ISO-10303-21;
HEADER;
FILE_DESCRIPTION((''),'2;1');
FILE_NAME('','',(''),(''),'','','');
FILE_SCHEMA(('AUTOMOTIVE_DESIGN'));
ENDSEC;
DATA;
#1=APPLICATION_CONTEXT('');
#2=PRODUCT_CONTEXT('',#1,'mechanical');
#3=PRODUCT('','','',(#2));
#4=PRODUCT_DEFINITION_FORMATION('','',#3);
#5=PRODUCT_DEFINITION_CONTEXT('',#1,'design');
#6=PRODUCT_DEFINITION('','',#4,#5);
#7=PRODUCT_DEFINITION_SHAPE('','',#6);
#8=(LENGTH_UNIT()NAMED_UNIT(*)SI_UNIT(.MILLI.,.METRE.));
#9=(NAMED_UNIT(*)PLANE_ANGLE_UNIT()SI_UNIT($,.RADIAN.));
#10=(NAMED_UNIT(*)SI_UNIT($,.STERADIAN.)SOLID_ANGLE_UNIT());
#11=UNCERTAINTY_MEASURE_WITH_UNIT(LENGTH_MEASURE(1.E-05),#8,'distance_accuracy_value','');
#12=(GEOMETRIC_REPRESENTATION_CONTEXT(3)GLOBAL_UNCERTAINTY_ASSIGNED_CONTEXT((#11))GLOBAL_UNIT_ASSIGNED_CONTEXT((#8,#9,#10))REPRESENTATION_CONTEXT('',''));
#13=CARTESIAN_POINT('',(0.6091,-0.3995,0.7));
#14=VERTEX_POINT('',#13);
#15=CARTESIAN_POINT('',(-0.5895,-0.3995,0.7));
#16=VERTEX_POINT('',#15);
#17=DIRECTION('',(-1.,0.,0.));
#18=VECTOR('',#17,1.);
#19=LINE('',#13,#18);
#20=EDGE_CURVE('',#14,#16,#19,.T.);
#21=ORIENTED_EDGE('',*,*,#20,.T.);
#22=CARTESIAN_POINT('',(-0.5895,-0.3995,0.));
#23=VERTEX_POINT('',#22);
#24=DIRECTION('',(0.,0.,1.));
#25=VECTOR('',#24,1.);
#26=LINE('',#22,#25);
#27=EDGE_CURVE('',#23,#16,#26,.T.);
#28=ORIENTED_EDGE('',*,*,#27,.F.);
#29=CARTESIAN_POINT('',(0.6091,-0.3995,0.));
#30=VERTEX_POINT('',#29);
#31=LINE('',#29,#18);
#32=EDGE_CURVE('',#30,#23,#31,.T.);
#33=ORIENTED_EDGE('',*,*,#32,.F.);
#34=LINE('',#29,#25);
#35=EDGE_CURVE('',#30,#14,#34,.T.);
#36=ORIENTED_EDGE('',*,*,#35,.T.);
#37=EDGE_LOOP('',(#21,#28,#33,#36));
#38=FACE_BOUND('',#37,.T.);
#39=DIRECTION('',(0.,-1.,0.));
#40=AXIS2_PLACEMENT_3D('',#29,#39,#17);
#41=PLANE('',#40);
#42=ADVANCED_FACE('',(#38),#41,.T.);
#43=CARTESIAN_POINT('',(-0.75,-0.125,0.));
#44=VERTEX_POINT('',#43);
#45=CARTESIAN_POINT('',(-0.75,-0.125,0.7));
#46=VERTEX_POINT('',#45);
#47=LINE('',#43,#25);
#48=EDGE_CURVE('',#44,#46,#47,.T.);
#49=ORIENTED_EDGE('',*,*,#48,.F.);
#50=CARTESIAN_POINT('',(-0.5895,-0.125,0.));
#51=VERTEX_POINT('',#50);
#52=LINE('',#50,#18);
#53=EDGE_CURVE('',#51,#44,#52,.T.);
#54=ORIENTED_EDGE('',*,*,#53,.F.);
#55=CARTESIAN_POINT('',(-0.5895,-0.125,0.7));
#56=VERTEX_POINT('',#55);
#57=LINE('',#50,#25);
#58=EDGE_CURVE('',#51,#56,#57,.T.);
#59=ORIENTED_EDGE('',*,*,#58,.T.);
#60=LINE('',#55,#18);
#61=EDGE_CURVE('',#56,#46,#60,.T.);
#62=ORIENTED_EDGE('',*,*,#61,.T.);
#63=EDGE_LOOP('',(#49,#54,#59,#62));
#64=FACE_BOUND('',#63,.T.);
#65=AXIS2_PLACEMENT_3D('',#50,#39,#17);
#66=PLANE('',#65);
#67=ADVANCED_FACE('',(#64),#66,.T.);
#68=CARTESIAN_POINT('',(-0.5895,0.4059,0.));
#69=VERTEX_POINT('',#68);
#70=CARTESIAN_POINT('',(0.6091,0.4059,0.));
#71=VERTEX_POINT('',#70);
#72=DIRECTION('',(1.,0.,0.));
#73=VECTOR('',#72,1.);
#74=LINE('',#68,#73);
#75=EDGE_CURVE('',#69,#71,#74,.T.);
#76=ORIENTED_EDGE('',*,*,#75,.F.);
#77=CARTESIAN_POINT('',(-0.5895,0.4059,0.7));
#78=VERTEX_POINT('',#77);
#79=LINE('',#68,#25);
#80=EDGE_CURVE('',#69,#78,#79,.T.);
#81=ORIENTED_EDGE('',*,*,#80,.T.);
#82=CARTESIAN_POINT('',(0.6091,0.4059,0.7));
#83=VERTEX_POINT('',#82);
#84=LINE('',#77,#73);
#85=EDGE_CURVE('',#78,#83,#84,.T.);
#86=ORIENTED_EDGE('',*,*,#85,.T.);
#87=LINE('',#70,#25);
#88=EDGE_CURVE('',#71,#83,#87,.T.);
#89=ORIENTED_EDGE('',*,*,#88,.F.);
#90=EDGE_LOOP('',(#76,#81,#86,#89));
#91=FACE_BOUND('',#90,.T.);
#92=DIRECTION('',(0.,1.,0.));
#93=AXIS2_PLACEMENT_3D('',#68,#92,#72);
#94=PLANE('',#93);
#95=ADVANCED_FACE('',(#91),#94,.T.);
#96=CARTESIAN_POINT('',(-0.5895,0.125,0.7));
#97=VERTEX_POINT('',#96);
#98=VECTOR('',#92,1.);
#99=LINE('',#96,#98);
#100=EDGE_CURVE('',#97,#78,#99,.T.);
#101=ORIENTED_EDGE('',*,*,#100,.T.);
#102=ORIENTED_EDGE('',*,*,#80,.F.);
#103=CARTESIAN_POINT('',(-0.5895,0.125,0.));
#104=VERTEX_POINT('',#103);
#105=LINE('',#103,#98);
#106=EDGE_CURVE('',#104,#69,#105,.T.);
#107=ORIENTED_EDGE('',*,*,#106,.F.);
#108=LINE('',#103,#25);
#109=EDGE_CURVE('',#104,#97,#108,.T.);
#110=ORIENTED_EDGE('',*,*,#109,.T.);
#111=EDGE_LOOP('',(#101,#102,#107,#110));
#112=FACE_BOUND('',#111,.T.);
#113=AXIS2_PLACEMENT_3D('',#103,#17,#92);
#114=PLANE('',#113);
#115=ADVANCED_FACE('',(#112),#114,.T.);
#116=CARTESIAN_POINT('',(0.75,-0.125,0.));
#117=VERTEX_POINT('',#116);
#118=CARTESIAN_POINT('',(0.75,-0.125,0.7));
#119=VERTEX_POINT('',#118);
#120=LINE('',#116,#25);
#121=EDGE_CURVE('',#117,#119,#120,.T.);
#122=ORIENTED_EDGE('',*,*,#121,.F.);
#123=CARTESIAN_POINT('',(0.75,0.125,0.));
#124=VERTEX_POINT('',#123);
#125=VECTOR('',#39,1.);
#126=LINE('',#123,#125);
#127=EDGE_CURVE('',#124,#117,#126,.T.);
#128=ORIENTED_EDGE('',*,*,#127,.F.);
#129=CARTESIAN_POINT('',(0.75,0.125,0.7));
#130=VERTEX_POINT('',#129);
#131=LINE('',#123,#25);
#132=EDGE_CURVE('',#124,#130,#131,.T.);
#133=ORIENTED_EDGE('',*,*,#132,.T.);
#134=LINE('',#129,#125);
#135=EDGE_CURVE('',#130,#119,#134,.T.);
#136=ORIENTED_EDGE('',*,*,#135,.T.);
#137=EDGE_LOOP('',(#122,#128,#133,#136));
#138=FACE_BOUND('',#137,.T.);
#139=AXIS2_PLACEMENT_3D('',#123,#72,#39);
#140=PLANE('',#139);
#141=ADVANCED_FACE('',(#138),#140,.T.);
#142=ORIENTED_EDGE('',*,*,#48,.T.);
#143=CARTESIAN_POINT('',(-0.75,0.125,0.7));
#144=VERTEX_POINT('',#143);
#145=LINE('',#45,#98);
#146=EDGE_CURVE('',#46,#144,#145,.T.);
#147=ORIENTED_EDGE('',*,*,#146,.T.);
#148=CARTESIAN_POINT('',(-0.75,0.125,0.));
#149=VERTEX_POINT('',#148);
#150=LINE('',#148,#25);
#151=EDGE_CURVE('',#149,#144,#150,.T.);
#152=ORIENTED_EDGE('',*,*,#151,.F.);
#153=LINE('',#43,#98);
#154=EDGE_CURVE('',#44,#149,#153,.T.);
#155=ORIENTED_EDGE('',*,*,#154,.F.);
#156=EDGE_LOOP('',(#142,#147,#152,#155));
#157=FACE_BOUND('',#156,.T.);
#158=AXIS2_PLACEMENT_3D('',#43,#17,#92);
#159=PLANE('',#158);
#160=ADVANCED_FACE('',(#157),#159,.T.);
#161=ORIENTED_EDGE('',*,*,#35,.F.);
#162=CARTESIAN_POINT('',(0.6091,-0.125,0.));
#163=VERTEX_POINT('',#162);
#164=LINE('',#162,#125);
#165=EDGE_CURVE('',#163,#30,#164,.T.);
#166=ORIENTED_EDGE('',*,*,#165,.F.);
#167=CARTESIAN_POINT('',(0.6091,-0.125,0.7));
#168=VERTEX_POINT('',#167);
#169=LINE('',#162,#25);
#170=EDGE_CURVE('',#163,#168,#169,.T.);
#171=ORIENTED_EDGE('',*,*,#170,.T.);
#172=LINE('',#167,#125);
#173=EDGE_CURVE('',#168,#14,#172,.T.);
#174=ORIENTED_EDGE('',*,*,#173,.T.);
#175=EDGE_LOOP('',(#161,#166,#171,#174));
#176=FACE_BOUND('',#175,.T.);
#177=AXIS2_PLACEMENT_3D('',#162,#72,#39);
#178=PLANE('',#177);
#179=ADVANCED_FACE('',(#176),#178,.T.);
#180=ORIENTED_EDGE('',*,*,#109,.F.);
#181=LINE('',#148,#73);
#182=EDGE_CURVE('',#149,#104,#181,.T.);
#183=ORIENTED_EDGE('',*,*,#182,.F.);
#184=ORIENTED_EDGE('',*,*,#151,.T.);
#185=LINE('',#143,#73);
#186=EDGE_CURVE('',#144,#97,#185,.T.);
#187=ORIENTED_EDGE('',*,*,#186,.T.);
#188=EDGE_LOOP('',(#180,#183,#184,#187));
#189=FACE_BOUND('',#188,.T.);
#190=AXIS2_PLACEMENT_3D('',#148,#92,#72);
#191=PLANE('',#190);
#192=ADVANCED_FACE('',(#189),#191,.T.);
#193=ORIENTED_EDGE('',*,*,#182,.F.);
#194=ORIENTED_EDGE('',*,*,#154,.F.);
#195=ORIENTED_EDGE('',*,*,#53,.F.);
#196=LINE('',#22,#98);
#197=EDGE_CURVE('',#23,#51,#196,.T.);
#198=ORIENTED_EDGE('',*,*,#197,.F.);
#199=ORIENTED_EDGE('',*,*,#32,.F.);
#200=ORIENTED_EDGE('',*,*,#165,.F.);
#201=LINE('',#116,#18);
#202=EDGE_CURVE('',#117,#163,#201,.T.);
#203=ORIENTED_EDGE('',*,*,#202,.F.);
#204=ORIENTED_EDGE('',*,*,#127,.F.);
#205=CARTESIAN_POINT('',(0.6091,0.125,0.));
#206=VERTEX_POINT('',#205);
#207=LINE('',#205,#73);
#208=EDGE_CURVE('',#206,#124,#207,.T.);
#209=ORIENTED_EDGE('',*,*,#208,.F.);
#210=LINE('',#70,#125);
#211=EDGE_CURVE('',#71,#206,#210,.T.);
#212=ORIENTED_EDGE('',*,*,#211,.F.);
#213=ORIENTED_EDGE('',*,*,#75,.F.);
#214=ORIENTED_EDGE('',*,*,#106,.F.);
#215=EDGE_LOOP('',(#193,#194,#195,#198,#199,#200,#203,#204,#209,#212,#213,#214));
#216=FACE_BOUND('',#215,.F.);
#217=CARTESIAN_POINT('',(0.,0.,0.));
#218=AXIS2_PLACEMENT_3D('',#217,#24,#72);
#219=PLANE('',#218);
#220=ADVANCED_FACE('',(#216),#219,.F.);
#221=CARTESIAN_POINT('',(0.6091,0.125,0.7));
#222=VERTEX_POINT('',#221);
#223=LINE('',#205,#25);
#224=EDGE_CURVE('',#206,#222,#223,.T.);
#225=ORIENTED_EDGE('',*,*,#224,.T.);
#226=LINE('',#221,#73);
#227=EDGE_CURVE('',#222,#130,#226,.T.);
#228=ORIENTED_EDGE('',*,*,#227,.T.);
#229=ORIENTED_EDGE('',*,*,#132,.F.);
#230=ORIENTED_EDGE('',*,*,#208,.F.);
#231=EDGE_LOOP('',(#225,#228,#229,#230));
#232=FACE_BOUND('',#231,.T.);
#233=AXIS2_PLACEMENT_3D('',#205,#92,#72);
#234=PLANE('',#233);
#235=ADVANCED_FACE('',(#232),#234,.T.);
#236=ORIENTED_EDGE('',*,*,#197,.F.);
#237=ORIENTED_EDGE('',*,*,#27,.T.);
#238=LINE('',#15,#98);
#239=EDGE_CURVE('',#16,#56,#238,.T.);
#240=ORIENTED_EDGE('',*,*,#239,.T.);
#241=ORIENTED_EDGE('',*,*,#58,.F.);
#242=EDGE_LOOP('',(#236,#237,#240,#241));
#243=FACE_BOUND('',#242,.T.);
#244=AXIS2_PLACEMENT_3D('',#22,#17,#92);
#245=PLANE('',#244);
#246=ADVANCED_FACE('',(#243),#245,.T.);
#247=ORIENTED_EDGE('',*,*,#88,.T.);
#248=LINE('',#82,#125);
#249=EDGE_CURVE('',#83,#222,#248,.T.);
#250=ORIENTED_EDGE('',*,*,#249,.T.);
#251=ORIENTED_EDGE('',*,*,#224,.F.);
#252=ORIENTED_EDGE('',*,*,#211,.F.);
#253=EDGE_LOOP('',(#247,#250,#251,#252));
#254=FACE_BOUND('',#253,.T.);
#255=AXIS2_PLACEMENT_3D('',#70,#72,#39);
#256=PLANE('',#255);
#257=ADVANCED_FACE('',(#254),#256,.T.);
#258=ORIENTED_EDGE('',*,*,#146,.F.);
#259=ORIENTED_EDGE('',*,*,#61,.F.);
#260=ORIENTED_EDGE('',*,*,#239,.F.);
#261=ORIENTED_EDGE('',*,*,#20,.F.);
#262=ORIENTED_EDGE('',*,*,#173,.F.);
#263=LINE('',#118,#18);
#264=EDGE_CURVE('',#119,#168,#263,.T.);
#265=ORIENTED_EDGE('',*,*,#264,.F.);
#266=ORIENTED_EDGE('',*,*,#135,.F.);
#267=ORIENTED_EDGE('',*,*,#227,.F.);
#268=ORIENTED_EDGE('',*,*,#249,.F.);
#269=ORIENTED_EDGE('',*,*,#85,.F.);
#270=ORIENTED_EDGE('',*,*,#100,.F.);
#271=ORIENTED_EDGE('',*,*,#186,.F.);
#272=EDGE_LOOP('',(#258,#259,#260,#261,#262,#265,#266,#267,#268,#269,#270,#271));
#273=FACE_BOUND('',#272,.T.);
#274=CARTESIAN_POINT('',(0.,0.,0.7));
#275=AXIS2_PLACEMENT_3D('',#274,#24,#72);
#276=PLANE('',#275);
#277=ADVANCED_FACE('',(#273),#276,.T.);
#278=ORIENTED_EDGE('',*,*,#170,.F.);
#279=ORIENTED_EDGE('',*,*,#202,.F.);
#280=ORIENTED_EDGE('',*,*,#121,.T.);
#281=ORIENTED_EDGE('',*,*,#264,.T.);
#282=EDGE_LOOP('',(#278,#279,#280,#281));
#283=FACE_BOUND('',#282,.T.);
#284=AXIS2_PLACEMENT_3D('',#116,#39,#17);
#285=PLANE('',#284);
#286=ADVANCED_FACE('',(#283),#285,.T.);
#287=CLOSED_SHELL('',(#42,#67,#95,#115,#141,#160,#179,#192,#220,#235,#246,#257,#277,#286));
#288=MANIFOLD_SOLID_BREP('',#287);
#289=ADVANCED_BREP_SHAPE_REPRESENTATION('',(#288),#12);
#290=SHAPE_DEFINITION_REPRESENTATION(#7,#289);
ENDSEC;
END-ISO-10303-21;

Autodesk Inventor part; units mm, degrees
ref_plane "YZ Plane" through (0, 0, 0) normal (1, 0, 0) x (0, 1, 0)
ref_plane "XZ Plane" through (0, 0, 0) normal (0, 1, 0) x (-1, 0, 0)
ref_plane "XY Plane" through (0, 0, 0) normal (0, 0, 1) x (1, 0, 0)
sketch "SOD523, 1N4148WT_101" plane through (0, 0, 0) normal (0, 0, 1) x (1, 0, 0)
  line L0 (0.6091, 0.125) -> (0.75, 0.125)
  line L1 (0.75, 0.125) -> (0.75, -0.125)
  line L2 (0.75, -0.125) -> (0.6091, -0.125)
  line L3 (0.6091, -0.125) -> (0.6091, -0.3995)
  line L4 (0.6091, -0.3995) -> (-0.5895, -0.3995)
  line L5 (-0.5895, -0.3995) -> (-0.5895, -0.125)
  line L6 (-0.5895, -0.125) -> (-0.75, -0.125)
  line L7 (-0.75, -0.125) -> (-0.75, 0.125)
  line L8 (-0.75, 0.125) -> (-0.5895, 0.125)
  line L9 (-0.5895, 0.125) -> (-0.5895, 0.4059)
  line L10 (-0.5895, 0.4059) -> (0.6091, 0.4059)
  line L11 (0.6091, 0.4059) -> (0.6091, 0.125)
extrude "Extrusion1" add sketch "SOD523, 1N4148WT_101" along normal blind 0.7
properties part number "1N4148WT"
